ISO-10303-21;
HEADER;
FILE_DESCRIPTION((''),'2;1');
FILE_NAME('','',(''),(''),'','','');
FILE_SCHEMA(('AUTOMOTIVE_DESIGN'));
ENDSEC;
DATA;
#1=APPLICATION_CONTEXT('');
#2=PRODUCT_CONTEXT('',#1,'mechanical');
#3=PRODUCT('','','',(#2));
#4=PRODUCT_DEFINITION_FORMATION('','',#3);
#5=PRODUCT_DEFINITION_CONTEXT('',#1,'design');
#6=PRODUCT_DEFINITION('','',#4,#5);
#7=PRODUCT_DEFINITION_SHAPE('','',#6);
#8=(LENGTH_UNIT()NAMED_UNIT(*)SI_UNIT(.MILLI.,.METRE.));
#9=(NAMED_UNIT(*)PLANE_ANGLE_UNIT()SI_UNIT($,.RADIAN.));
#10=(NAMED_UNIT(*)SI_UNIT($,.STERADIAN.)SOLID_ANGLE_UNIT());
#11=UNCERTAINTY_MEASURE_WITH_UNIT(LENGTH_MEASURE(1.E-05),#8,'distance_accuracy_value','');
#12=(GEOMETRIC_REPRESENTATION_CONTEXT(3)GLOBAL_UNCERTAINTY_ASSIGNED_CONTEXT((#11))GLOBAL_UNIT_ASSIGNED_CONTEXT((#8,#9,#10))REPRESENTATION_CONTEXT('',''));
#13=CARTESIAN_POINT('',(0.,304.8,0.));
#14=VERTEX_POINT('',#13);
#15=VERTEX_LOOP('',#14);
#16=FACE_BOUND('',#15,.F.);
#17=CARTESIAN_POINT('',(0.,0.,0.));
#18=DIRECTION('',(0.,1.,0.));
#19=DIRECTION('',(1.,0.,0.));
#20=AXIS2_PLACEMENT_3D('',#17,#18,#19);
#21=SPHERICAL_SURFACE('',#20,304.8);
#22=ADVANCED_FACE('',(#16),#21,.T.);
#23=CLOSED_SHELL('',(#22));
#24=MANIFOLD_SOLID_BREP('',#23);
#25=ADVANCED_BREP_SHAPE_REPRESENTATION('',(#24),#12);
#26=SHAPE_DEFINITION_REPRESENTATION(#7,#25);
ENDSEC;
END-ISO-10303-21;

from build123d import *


with BuildPart() as part:
    # Sketch1 → Revolve6 (revolve)
    with BuildSketch(Plane.XY):
        with BuildLine():
            Line((0, 304.8), (0, -304.8))
            ThreePointArc((0, -304.8), (304.8, 0), (0, 304.8))
        make_face()
    revolve(axis=Axis((0, 304.8, 0), (0, -1, 0)))


solid = part.part
